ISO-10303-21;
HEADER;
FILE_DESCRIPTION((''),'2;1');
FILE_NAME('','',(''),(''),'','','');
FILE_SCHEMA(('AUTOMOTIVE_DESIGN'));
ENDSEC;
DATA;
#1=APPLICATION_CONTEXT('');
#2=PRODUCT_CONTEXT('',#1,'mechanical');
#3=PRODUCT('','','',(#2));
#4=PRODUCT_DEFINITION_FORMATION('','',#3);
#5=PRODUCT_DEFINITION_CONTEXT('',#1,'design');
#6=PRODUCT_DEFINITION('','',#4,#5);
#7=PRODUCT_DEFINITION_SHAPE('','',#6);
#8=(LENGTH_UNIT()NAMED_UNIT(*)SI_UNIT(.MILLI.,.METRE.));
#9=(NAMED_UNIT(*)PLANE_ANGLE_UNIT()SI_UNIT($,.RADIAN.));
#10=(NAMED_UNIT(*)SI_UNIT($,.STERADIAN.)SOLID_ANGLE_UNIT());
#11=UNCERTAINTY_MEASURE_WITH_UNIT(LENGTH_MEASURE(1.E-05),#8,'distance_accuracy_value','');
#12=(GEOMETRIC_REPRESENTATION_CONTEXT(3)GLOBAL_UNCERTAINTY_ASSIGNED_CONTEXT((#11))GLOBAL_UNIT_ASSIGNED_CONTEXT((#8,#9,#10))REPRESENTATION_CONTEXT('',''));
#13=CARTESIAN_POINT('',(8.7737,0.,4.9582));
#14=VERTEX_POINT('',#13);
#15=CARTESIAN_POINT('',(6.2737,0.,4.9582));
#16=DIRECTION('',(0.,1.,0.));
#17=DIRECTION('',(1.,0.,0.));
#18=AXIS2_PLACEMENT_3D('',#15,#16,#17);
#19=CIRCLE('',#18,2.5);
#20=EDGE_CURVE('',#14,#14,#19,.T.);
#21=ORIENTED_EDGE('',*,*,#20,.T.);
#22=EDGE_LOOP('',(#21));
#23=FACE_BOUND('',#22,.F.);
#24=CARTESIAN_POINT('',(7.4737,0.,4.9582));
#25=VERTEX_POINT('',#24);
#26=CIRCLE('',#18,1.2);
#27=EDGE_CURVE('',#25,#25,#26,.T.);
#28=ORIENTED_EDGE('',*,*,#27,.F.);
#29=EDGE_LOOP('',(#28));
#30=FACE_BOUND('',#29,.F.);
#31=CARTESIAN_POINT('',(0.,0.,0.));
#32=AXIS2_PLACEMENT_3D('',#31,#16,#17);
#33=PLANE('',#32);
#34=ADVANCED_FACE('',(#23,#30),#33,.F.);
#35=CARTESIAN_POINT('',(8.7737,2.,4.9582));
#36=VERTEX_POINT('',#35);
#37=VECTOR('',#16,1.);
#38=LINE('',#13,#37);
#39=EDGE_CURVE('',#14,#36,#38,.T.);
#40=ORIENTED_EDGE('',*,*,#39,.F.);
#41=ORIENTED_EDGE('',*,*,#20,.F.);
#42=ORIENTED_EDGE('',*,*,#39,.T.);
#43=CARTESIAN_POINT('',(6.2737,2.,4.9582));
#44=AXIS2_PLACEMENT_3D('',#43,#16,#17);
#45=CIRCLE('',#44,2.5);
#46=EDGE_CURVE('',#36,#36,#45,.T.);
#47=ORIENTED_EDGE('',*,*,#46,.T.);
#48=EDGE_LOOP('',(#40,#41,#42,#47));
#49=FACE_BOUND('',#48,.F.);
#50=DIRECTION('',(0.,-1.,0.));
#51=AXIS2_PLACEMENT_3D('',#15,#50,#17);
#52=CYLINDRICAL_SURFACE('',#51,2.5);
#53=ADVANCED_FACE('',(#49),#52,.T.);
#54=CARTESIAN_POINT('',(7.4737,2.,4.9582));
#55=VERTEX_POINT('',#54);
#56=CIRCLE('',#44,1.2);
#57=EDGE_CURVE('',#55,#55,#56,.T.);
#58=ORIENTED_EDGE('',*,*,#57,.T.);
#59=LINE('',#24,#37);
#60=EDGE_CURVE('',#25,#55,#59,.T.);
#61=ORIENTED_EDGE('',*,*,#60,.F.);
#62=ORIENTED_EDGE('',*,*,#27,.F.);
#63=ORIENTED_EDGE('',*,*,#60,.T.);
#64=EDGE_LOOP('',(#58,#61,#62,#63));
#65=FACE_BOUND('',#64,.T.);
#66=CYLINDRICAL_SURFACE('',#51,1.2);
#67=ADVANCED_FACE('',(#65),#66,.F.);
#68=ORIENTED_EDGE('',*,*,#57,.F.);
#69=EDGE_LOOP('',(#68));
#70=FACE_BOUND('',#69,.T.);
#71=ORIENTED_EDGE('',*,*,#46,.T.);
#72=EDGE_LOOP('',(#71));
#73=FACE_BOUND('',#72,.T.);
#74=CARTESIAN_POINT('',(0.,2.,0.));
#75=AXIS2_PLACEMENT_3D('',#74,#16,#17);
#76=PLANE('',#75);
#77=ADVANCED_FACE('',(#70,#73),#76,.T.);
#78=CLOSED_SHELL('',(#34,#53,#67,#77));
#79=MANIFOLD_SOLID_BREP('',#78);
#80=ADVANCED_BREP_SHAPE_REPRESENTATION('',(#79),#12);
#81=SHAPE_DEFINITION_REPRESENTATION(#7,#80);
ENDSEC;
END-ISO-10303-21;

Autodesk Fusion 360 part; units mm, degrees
sketch "Eskiz1" plane through (0, 0, 0) normal (0, 1, 0) x (1, 0, 0)
  circle A0 centre (6.2737, -4.9582) radius 1.2
  circle A1 centre (6.2737, -4.9582) radius 2.5
  dimension "d1" = 2.4
  dimension "d2" = 5
extrude "Ekstrüde Et1" add sketch "Eskiz1" along normal blind 2
equation "d1 = 2 mm + 0.4 mm"
